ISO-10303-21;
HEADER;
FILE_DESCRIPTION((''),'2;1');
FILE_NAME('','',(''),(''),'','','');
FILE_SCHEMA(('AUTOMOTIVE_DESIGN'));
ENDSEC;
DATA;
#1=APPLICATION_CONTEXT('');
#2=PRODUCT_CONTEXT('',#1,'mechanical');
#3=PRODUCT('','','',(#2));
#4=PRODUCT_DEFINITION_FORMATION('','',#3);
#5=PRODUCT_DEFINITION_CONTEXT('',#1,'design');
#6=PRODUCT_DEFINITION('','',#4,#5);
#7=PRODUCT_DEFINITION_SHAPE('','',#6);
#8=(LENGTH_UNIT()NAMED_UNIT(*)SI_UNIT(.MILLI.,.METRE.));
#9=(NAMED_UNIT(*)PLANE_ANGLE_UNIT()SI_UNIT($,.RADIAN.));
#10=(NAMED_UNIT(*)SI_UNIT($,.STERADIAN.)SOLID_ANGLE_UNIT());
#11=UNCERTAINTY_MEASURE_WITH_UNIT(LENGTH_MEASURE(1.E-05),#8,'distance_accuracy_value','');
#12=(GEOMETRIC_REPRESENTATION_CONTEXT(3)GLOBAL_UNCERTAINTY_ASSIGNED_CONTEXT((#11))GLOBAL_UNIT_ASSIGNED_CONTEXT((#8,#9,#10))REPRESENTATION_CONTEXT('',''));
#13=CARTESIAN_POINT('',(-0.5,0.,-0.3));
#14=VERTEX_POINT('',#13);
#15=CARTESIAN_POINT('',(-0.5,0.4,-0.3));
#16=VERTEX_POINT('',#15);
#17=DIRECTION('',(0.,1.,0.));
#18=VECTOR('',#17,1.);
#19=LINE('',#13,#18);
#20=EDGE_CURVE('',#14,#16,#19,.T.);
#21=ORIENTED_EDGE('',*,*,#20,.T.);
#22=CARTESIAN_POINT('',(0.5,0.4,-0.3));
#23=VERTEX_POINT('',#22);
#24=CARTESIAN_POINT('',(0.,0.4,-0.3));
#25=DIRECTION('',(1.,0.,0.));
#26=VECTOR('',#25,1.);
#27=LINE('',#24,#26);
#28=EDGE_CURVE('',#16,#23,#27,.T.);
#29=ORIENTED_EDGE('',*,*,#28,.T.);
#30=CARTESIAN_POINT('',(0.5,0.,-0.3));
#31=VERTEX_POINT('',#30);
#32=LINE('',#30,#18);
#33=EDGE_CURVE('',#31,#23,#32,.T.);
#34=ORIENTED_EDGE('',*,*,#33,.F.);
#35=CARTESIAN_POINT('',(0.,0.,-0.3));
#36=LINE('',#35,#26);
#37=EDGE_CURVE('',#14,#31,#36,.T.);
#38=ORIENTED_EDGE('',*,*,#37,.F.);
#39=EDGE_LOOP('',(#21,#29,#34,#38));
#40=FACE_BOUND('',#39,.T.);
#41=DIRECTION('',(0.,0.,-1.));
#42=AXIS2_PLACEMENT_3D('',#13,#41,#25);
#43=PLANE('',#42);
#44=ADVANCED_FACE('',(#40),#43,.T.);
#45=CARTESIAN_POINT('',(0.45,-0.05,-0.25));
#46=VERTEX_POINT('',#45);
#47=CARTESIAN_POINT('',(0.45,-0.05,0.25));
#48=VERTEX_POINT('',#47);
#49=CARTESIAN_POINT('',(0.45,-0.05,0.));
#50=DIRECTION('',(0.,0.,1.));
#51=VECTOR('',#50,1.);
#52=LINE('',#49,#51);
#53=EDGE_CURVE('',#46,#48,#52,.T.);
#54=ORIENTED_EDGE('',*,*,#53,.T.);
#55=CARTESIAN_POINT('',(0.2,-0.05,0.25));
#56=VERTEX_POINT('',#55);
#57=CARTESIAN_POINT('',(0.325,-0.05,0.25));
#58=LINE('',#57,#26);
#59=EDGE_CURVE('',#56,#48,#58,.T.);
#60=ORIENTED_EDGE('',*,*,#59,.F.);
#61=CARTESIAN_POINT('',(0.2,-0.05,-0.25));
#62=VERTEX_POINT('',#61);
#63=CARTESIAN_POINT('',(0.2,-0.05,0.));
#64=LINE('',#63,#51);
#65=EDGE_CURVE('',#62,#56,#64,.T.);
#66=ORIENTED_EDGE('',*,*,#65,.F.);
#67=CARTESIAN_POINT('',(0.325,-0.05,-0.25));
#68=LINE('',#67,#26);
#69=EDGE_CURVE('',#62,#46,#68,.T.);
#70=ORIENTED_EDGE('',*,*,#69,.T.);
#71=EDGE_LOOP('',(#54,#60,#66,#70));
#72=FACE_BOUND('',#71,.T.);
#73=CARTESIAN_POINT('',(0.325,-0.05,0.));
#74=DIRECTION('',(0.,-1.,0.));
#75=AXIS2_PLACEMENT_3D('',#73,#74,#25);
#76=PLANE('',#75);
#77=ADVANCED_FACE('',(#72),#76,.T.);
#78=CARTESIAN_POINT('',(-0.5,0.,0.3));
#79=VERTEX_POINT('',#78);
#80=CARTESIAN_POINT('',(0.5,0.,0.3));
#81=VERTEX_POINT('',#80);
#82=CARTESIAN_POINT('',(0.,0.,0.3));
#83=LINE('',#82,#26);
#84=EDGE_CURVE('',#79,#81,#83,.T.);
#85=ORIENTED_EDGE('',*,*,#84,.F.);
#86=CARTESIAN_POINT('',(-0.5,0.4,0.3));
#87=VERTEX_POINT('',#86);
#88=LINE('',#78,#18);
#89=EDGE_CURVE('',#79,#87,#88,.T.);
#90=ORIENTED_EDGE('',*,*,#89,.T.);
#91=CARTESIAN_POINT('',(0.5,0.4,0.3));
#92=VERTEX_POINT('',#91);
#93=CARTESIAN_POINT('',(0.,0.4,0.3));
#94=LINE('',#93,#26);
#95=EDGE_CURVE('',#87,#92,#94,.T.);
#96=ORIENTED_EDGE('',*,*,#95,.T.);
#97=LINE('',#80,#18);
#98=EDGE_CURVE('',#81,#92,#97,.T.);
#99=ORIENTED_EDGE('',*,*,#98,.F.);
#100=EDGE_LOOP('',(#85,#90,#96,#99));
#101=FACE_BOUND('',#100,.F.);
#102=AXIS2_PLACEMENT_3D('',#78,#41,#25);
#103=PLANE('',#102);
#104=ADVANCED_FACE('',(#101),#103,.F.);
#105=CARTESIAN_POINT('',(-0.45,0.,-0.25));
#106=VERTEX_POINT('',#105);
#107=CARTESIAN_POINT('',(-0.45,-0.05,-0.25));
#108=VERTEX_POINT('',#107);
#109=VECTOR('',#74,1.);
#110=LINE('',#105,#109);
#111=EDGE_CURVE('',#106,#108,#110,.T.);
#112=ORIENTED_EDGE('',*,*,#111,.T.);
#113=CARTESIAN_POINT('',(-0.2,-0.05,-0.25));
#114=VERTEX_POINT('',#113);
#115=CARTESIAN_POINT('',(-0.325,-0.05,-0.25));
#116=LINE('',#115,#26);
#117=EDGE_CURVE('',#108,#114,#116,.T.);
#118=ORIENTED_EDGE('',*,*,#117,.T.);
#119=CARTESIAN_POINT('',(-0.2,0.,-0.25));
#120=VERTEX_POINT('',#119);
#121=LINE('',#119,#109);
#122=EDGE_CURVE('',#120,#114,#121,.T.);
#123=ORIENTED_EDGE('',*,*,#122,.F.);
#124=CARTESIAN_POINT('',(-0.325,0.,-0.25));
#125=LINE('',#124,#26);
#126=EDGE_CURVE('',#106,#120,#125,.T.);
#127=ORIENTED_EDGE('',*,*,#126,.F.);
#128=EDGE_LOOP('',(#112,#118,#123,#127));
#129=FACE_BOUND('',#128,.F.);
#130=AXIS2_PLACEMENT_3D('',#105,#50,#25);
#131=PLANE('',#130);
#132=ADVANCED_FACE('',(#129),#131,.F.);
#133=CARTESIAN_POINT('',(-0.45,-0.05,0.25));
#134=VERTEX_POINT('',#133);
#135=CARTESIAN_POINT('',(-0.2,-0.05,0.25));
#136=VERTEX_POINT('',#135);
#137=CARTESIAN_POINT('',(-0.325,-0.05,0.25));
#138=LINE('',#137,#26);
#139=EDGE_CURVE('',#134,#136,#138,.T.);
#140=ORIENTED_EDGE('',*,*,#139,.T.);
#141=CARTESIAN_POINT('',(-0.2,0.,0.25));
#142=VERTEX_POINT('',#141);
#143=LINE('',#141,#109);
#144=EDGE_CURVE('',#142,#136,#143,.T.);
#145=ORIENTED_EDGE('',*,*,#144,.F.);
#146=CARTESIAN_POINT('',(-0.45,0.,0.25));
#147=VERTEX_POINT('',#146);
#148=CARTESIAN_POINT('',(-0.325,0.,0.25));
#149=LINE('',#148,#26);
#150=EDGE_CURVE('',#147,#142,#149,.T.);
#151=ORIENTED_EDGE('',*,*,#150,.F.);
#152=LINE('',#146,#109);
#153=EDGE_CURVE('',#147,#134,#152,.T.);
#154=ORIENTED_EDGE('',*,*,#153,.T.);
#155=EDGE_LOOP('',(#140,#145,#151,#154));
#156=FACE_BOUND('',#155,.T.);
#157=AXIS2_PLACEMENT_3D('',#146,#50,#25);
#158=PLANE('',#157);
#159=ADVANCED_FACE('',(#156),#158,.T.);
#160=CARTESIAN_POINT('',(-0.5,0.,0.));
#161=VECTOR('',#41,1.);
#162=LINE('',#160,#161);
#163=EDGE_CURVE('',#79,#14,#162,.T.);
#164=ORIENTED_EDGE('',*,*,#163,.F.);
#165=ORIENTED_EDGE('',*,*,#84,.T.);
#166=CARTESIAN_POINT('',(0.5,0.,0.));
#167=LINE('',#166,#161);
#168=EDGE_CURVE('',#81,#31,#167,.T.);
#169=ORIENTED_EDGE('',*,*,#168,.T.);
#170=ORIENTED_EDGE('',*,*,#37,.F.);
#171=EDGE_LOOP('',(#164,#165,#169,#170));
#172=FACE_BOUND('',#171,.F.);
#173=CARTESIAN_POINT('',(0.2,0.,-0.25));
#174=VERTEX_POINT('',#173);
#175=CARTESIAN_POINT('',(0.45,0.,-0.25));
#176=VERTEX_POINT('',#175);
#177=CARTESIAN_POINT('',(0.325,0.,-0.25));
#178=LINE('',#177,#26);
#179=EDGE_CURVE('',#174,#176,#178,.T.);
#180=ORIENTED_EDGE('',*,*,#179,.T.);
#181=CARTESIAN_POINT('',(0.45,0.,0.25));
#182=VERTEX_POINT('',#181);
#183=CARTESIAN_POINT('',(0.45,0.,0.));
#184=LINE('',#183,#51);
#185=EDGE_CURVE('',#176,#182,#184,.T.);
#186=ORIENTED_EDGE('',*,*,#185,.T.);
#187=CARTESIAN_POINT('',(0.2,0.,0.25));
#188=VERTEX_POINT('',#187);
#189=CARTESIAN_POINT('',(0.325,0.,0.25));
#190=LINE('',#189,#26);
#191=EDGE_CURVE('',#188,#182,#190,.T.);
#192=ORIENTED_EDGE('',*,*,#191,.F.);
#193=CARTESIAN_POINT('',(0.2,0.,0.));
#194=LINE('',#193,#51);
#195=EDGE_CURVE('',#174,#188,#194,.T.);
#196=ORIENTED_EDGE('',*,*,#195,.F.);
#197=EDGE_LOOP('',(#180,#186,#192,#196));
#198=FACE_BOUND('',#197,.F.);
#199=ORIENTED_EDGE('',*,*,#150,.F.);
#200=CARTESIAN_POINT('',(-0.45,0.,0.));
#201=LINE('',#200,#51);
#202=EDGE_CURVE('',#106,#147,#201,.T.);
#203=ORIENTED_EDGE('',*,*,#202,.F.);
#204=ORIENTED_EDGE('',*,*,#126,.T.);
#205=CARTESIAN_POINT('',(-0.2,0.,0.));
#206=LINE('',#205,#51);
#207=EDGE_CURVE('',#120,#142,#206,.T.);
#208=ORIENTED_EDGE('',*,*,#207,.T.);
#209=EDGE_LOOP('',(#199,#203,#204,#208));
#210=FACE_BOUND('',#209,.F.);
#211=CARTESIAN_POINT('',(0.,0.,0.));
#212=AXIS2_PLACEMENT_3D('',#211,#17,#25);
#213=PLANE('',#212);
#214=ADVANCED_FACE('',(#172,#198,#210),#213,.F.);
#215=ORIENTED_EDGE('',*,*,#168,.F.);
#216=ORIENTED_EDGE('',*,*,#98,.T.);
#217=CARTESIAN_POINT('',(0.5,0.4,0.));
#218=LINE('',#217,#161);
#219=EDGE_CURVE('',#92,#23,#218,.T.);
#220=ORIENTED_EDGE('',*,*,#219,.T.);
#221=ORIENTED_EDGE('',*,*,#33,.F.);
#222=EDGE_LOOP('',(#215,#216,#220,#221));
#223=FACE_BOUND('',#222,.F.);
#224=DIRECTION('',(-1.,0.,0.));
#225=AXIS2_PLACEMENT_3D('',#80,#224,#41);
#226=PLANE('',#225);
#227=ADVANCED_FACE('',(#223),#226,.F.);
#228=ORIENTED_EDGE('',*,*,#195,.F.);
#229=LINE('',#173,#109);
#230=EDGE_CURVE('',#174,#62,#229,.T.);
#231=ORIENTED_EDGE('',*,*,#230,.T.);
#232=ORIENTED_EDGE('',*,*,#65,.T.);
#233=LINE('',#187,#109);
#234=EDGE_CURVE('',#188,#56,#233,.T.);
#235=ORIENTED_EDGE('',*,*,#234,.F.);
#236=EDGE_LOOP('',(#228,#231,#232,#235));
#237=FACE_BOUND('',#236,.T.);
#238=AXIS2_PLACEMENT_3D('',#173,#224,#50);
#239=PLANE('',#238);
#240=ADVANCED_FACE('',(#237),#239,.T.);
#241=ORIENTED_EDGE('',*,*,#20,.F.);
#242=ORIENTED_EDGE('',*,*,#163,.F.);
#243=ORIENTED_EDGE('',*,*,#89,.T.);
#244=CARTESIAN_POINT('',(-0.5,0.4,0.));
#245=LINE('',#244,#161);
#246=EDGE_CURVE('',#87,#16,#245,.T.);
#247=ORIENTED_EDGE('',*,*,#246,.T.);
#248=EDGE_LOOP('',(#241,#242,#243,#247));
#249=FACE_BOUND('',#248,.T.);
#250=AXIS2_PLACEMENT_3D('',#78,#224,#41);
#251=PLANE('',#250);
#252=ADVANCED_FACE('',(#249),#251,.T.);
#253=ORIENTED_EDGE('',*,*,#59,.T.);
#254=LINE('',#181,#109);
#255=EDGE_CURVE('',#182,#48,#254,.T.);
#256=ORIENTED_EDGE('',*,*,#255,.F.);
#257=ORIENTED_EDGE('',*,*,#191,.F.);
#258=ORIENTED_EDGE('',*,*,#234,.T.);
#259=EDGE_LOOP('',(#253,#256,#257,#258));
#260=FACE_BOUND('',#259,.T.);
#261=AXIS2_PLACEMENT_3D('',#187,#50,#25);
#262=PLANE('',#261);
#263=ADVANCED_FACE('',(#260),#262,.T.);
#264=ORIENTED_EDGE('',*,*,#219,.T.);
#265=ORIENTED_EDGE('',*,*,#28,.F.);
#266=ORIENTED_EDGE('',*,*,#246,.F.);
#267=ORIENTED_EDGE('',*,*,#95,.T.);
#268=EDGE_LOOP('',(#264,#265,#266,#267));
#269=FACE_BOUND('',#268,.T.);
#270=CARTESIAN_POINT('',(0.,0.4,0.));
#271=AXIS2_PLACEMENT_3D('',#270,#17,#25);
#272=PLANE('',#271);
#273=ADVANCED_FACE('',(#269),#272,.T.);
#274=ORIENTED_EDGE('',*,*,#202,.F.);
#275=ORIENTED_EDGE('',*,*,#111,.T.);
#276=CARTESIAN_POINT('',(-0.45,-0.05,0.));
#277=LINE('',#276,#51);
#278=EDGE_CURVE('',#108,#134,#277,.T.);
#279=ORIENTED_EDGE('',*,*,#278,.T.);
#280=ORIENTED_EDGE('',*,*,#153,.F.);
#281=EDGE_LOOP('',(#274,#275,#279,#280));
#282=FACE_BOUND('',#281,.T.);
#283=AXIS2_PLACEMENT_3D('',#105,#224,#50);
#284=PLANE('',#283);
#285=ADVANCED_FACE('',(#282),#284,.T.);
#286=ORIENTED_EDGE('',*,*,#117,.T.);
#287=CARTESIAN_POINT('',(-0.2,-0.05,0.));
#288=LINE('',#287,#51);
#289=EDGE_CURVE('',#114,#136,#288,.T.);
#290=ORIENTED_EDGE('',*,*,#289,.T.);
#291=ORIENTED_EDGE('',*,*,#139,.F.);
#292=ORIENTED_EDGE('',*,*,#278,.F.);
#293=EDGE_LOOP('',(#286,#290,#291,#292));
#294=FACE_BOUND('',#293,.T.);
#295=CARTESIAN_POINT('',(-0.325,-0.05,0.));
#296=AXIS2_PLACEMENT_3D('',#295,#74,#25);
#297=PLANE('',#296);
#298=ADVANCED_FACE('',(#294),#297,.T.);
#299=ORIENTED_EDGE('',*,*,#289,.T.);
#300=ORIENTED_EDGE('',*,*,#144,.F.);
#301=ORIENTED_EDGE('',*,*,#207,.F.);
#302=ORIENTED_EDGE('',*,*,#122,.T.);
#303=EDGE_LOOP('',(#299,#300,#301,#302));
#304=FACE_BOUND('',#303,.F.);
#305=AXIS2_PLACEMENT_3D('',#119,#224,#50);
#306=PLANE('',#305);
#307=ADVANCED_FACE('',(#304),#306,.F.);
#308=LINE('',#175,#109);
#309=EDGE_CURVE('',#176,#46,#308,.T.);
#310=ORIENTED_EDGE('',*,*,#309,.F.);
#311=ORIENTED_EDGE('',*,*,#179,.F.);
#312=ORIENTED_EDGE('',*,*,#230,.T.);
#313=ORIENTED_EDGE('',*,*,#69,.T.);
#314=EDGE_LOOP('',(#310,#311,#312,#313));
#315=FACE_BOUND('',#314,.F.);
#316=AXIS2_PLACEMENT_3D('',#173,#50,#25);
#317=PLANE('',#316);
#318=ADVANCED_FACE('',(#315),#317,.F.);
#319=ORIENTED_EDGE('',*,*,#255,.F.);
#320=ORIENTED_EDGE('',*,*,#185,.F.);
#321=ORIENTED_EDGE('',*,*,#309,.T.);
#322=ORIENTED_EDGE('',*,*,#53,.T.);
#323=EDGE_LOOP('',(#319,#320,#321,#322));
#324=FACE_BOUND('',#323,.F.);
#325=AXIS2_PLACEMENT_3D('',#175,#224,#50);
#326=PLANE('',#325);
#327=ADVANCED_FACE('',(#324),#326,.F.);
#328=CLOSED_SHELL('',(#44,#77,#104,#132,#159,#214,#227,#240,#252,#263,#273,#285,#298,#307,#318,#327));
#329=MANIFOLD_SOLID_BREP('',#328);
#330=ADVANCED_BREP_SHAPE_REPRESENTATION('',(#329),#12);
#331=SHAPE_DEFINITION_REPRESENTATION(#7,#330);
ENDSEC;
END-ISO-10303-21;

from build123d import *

# Parameters (mm, degrees)
SKETCH1_W           = 1
SKETCH1_H           = 0.6
BOSS_EXTRUDE1_DEPTH = 0.4
SKETCH2_W           = 0.25
SKETCH2_H           = 0.5
BOSS_EXTRUDE2_DEPTH = 0.05


with BuildPart() as part:
    # Sketch1 → Boss-Extrude1 (new body)
    with BuildSketch(Plane(origin=(0, 0, 0), x_dir=(1, 0, 0), z_dir=(0, 1, 0))):
        Rectangle(SKETCH1_W, SKETCH1_H)
    extrude(amount=BOSS_EXTRUDE1_DEPTH)

    # Sketch2 → Boss-Extrude2 (add)
    with BuildSketch(Plane.XZ):
        with Locations((-0.325, 0)):
            Rectangle(SKETCH2_W, SKETCH2_H)
        with Locations((0.325, 0)):
            Rectangle(SKETCH2_W, SKETCH2_H)
    extrude(amount=BOSS_EXTRUDE2_DEPTH)


solid = part.part
